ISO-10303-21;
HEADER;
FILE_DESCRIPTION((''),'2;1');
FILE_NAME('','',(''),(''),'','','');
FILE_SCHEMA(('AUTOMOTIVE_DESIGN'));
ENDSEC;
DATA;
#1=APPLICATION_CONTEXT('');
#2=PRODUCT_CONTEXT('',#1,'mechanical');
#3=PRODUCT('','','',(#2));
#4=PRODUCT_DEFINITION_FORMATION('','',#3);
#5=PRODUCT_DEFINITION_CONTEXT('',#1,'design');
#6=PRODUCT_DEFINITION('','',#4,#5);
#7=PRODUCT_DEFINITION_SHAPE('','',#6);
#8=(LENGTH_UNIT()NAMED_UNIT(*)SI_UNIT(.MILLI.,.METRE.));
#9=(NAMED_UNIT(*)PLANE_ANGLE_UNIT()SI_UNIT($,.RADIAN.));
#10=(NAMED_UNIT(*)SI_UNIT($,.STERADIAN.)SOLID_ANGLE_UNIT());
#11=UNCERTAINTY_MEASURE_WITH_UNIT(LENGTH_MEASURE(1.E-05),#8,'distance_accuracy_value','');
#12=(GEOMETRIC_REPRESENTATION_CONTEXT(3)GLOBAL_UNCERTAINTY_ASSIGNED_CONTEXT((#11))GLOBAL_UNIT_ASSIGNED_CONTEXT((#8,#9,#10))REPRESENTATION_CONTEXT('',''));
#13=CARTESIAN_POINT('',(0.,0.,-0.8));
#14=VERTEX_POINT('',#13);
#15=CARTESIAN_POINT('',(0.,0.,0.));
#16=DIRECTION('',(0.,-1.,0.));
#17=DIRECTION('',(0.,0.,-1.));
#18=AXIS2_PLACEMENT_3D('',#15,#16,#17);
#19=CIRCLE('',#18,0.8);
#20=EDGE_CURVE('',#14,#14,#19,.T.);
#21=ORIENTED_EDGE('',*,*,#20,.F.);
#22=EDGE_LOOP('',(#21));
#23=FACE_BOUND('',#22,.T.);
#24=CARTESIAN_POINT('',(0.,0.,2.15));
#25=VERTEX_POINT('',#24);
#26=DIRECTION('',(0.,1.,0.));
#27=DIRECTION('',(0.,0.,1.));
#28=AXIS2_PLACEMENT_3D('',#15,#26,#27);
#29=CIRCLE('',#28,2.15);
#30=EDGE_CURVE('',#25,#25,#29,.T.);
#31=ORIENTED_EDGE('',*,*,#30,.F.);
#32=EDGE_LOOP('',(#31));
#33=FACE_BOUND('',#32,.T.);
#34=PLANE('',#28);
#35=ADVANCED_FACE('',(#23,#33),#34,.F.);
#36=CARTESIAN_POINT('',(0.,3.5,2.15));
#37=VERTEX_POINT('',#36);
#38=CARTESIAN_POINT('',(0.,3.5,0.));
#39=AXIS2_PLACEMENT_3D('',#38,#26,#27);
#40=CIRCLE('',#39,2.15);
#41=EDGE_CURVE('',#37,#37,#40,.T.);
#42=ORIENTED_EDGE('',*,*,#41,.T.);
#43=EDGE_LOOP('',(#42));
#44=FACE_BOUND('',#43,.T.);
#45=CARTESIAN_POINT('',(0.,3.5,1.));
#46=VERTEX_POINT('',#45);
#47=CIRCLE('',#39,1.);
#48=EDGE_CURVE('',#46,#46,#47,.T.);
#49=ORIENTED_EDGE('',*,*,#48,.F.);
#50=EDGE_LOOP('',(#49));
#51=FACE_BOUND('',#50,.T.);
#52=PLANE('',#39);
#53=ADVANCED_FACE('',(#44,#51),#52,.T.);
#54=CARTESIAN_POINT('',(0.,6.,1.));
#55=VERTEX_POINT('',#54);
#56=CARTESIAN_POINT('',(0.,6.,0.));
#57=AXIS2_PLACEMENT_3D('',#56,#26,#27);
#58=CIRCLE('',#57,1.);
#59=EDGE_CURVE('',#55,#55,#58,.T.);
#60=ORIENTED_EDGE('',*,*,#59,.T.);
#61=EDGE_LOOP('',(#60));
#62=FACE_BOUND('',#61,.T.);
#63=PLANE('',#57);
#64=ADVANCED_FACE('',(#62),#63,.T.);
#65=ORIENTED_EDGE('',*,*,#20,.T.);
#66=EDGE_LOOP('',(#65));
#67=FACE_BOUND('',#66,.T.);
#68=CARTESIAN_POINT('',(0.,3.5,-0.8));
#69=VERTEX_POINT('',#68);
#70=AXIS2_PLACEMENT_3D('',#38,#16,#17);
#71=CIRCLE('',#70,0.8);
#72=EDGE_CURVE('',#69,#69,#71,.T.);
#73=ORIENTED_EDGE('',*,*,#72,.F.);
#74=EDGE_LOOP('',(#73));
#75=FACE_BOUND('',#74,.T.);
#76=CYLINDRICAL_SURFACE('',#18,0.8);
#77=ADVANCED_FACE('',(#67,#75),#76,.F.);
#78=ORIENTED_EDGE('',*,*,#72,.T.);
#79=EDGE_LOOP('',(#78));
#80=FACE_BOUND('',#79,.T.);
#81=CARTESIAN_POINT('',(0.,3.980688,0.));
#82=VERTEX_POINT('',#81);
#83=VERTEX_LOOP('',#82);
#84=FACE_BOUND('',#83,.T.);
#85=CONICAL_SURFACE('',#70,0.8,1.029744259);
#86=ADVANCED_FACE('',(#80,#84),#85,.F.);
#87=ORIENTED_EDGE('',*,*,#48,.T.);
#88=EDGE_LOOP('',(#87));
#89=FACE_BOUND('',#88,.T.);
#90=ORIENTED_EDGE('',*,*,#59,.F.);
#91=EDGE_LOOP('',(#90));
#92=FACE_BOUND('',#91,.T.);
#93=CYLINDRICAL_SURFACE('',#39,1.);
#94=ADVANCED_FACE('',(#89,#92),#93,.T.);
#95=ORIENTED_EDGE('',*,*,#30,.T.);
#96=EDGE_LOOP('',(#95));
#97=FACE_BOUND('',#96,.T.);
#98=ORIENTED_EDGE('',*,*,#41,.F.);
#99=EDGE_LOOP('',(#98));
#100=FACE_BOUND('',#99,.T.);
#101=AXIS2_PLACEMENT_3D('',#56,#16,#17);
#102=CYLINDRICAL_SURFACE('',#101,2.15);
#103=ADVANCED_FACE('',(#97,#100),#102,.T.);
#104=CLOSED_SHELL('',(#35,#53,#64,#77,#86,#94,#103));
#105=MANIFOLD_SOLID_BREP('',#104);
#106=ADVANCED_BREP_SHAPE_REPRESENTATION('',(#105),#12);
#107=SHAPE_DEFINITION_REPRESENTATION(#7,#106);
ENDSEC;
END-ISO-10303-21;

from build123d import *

# Parameters (mm, degrees)
SKETCH1_R                 = 2.15
BOSS_EXTRUDE1_DEPTH       = 6
SKETCH2_R                 = 2.15
SKETCH2_R_2               = 1
CUT_EXTRUDE1_DEPTH        = 2.5
M2X0_4_TAPPED_HOLE1_D     = 1.6
M2X0_4_TAPPED_HOLE1_DEPTH = 3.5
M2X0_4_TAPPED_HOLE1_TIP   = 0.480688495


with BuildPart() as part:
    # Sketch1 → Boss-Extrude1 (new body)
    with BuildSketch(Plane(origin=(0, 0, 0), x_dir=(1, 0, 0), z_dir=(0, 1, 0))):
        Circle(SKETCH1_R)
    extrude(amount=BOSS_EXTRUDE1_DEPTH)

    # Sketch2 → Cut-Extrude1 (cut)
    with BuildSketch(Plane(origin=(0, 6, 0), x_dir=(1, 0, 0), z_dir=(0, 1, 0))):
        Circle(SKETCH2_R)
        Circle(SKETCH2_R_2, mode=Mode.SUBTRACT)
    extrude(amount=-CUT_EXTRUDE1_DEPTH, mode=Mode.SUBTRACT)

    # M2x0.4 Tapped Hole1
    with Locations(Plane.XZ):
        with Locations((0, 0)):
            Hole(M2X0_4_TAPPED_HOLE1_D / 2, depth=M2X0_4_TAPPED_HOLE1_DEPTH)
            with Locations((0, 0, -(M2X0_4_TAPPED_HOLE1_DEPTH + M2X0_4_TAPPED_HOLE1_TIP / 2))):  # 118° drill point
                Cone(0, M2X0_4_TAPPED_HOLE1_D / 2, M2X0_4_TAPPED_HOLE1_TIP, mode=Mode.SUBTRACT)


solid = part.part
